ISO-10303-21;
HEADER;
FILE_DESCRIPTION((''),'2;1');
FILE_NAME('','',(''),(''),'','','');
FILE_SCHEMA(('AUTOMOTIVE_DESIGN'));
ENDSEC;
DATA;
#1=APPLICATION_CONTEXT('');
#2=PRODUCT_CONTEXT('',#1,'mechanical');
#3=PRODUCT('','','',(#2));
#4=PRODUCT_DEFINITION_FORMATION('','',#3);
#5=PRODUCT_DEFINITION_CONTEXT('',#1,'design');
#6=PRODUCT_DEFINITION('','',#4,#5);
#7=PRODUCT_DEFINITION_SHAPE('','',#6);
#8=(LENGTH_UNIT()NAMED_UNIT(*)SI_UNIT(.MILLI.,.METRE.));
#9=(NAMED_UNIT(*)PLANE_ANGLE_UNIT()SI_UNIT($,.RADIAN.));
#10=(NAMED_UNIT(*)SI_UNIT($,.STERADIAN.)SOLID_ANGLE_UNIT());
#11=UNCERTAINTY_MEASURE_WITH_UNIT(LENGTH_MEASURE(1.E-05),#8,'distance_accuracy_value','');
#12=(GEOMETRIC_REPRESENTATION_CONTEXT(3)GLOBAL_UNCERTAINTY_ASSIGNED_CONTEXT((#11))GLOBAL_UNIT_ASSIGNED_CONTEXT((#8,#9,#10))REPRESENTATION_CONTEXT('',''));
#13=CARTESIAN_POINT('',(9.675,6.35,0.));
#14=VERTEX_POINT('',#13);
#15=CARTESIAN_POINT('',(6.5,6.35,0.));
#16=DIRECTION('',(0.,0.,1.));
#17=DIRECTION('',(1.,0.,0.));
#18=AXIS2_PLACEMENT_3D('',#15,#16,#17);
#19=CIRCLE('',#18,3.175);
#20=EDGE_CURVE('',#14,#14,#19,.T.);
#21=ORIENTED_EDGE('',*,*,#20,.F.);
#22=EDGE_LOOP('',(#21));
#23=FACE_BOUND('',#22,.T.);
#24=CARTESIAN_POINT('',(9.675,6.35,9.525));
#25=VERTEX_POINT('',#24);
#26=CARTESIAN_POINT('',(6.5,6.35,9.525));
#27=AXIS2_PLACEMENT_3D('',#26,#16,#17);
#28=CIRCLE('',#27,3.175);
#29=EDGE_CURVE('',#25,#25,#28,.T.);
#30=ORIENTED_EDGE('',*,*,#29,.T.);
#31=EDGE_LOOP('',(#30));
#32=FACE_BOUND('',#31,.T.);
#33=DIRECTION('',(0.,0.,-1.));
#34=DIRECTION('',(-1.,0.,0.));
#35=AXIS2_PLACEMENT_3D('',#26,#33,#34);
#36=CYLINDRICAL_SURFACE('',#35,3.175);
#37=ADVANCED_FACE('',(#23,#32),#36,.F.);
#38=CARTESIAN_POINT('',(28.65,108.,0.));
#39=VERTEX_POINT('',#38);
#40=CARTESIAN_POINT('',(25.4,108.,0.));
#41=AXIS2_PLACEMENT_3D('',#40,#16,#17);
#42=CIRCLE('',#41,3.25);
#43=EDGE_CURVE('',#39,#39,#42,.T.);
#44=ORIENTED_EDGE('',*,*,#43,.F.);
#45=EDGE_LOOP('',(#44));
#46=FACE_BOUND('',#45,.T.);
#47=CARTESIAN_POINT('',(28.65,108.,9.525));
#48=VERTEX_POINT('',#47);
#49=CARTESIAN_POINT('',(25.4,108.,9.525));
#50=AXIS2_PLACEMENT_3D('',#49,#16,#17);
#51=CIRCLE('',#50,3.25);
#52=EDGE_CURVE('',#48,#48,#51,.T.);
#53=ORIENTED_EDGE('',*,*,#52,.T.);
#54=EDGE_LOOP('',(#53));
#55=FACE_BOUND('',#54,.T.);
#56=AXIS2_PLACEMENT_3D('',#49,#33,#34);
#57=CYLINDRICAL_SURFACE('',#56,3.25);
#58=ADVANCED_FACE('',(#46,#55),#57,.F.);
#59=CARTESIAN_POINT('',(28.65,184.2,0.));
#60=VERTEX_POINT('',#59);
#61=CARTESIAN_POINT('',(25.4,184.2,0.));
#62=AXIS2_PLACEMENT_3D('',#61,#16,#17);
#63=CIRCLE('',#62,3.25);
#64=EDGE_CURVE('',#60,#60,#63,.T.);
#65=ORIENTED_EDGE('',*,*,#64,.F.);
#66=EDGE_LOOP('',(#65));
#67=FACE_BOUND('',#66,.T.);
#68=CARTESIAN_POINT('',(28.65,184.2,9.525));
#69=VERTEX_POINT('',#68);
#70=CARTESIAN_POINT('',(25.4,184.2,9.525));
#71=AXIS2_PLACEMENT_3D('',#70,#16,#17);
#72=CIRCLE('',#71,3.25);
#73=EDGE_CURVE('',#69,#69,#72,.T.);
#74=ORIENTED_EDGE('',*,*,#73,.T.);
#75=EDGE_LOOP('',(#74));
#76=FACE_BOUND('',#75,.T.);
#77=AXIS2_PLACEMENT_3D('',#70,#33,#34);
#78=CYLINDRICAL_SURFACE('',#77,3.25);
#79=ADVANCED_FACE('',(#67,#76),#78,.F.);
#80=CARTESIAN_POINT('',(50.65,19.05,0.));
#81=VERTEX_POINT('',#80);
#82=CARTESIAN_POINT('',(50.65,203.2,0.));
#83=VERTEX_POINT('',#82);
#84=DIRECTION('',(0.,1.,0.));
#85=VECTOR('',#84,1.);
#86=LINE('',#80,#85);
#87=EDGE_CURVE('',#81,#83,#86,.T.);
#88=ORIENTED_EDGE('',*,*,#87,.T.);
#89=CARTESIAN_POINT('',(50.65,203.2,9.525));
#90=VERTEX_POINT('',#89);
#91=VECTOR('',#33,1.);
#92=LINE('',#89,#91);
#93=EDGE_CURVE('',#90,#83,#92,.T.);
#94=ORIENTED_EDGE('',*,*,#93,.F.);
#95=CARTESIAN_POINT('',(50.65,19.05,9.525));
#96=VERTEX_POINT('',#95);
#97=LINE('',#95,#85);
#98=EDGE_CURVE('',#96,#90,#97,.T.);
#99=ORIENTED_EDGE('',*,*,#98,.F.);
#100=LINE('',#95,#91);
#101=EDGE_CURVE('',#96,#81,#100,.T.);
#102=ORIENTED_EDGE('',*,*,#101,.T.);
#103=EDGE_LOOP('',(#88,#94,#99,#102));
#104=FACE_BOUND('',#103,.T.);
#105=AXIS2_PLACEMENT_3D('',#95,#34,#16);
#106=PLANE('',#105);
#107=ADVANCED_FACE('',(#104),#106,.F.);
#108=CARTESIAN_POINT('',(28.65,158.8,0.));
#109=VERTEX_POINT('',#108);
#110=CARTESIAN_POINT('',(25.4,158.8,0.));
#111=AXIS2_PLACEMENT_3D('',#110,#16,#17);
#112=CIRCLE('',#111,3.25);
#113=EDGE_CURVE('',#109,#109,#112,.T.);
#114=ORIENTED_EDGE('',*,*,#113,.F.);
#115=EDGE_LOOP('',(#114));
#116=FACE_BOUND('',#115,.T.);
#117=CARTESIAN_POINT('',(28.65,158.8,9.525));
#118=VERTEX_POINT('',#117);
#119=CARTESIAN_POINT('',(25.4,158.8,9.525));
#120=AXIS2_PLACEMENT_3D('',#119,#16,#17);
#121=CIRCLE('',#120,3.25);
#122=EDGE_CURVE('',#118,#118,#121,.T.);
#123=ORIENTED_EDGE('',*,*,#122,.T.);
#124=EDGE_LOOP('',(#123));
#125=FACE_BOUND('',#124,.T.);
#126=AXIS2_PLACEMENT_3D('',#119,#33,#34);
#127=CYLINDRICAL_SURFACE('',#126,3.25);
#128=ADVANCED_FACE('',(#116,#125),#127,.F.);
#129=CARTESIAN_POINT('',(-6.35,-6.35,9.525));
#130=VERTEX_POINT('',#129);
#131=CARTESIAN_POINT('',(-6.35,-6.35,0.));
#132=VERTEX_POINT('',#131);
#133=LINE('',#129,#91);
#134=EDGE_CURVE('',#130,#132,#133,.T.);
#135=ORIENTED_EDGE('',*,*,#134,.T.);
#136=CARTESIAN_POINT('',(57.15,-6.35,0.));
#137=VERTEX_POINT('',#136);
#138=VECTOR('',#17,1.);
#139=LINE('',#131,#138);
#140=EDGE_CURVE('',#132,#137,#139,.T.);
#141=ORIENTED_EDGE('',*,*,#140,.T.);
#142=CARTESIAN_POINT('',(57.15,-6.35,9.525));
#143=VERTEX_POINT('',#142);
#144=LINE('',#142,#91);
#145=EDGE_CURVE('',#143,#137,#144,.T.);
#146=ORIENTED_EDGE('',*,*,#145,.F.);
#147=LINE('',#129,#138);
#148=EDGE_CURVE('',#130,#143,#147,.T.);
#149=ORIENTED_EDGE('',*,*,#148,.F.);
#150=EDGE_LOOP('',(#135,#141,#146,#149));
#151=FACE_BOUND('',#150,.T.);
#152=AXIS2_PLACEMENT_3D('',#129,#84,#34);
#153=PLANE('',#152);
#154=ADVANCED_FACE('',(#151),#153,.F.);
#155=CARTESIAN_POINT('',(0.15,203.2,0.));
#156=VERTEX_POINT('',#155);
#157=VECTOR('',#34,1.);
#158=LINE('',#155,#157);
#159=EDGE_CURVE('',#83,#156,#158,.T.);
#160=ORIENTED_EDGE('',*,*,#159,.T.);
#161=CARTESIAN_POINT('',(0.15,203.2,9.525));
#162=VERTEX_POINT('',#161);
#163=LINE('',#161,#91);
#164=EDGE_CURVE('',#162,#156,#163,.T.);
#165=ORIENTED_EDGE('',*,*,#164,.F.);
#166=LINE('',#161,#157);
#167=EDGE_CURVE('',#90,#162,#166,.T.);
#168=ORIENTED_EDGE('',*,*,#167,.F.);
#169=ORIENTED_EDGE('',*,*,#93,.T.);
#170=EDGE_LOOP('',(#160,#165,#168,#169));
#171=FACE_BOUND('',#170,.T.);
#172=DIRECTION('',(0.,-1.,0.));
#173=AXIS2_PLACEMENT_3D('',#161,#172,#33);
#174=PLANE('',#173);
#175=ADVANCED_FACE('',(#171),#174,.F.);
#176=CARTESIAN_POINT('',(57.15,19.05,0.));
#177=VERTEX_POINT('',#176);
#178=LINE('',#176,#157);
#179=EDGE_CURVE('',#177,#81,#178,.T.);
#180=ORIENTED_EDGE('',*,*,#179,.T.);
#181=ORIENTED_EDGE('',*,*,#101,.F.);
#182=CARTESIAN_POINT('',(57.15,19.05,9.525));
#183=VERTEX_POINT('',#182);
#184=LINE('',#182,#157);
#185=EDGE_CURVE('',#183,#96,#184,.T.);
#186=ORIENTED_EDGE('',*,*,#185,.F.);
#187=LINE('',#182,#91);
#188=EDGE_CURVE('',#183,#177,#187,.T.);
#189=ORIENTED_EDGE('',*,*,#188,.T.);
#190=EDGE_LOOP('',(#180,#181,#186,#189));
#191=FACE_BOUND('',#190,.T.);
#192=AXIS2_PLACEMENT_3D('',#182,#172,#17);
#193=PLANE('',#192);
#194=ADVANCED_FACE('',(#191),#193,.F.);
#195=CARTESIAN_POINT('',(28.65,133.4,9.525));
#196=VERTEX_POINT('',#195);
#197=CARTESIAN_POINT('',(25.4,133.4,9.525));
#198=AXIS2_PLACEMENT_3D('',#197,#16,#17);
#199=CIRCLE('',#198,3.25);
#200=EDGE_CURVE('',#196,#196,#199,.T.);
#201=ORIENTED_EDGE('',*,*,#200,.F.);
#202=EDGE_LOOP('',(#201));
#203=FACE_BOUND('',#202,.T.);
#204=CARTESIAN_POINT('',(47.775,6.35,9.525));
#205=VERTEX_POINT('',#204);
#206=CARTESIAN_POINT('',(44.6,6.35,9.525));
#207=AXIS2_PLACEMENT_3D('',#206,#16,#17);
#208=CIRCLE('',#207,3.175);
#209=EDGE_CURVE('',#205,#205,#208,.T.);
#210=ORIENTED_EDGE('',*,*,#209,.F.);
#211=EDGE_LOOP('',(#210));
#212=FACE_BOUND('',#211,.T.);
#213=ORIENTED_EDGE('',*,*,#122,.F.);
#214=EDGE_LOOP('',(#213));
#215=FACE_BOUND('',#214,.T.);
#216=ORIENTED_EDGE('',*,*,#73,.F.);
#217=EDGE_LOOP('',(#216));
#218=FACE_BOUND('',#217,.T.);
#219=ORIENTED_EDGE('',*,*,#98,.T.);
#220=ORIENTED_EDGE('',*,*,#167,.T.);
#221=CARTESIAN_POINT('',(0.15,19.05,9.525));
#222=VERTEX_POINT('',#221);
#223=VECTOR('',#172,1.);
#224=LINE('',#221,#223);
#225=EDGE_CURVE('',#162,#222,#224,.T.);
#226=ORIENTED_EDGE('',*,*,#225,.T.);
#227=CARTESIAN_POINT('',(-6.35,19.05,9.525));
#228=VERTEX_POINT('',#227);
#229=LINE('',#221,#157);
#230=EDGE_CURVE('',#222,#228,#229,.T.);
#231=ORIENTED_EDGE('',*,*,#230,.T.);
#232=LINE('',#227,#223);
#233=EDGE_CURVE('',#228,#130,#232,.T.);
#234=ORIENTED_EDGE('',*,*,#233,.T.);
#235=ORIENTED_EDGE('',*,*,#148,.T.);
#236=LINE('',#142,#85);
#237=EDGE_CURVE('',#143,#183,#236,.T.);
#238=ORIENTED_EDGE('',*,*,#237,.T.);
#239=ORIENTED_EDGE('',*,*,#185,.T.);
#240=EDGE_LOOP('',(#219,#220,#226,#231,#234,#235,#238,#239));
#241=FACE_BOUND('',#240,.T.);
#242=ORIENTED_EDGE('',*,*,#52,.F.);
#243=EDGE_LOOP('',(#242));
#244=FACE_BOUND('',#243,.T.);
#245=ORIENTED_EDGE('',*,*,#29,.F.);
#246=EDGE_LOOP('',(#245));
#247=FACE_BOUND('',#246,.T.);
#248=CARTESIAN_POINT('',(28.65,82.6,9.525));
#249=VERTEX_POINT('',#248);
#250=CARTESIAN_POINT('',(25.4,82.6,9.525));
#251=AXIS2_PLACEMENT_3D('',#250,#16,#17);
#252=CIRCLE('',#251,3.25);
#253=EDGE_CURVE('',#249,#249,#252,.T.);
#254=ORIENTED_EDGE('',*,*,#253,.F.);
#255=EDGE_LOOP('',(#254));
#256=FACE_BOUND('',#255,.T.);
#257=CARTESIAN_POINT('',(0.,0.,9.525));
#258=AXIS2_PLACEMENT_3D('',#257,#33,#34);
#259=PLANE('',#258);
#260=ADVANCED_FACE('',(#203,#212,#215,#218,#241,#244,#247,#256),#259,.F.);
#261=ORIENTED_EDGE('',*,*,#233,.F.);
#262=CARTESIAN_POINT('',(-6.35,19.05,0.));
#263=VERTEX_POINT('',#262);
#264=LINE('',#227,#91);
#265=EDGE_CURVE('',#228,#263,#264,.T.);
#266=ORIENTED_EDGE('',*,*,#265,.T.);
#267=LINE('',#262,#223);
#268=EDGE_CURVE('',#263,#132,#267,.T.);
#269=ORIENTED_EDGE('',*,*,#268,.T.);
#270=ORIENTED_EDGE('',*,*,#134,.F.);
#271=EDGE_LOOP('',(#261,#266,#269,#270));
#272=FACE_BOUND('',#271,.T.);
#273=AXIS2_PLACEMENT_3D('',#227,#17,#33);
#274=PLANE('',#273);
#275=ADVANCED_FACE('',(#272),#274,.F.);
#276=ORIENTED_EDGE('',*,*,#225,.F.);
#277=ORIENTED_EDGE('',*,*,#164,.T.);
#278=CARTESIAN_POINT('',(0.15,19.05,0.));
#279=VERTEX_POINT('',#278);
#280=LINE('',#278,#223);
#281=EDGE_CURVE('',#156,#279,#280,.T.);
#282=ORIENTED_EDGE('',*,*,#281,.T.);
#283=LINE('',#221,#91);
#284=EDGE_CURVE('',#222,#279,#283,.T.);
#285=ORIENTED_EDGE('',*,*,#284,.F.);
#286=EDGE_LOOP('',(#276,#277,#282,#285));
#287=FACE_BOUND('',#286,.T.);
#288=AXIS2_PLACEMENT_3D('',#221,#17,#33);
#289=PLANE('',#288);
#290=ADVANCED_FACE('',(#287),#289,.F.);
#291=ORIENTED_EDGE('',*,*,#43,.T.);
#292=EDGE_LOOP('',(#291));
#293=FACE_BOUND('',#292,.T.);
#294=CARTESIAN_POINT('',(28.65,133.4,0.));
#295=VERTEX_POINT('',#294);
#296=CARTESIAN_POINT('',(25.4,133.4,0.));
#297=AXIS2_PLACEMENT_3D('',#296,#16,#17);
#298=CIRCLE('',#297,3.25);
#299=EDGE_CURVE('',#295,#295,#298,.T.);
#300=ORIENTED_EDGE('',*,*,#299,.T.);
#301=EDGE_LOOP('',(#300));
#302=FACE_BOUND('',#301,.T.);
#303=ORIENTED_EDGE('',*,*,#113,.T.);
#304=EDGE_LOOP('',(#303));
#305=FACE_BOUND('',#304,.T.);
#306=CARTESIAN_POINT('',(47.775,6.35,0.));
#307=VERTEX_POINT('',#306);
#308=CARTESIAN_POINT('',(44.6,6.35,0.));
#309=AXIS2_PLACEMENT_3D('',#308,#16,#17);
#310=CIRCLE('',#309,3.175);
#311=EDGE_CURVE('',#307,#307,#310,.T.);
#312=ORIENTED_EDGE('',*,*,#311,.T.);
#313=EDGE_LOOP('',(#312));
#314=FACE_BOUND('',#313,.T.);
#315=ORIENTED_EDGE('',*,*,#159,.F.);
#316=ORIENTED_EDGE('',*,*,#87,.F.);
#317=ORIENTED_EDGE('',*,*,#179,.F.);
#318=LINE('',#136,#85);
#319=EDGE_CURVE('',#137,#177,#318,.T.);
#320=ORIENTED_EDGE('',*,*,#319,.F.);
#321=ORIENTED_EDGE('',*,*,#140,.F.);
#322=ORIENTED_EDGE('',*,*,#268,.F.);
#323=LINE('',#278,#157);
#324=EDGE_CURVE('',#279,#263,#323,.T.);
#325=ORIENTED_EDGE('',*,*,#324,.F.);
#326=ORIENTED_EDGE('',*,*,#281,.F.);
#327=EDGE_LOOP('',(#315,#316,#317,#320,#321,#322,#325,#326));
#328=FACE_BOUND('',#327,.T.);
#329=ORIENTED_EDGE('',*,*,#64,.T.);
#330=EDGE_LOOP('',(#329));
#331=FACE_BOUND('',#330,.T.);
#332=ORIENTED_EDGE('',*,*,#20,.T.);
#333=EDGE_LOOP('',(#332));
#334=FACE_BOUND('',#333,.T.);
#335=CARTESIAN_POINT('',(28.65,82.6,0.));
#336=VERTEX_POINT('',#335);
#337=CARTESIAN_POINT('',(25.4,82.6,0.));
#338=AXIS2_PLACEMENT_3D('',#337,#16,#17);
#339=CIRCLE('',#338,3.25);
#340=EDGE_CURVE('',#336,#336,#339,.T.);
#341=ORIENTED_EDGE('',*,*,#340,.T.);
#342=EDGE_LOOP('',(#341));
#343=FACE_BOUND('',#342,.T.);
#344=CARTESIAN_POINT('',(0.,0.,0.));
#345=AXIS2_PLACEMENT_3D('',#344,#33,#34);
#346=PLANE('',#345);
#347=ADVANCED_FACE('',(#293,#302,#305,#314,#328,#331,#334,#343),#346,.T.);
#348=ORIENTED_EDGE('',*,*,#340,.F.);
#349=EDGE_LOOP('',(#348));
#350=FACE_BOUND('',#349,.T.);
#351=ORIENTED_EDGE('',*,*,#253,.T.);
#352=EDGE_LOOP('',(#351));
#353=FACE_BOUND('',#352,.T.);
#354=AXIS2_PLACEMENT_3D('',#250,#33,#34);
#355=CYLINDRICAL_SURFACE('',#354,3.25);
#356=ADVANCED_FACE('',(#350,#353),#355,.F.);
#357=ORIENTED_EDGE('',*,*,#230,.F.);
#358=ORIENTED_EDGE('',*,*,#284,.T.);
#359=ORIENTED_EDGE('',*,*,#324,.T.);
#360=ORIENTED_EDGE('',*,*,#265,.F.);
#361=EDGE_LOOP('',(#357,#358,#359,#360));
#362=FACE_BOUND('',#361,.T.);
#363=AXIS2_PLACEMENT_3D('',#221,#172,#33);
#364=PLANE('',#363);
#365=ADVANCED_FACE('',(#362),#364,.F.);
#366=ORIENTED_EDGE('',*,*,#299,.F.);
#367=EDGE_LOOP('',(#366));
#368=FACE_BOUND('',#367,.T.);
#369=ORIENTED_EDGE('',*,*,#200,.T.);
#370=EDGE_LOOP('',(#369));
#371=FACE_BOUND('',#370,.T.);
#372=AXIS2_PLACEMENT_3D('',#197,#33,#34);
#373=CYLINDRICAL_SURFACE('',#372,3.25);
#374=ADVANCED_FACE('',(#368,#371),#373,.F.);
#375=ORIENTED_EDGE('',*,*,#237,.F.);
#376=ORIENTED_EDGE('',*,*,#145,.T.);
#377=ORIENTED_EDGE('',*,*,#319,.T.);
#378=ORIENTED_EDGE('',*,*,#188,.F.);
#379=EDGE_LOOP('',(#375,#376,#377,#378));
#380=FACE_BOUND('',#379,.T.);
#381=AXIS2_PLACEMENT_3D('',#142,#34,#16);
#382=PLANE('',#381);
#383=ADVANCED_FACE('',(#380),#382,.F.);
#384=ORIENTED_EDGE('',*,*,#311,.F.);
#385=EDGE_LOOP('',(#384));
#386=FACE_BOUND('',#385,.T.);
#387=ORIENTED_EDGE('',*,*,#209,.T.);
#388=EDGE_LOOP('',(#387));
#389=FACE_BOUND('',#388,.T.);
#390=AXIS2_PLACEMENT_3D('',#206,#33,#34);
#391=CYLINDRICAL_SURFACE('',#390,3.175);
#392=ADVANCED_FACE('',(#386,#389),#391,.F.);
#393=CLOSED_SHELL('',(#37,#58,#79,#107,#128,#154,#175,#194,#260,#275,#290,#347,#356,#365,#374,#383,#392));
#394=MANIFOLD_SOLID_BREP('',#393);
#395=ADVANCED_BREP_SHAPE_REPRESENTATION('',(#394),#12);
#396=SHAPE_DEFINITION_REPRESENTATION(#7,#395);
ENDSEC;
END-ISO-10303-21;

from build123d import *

# Parameters (mm, degrees)
SKETCH1_R           = 3.175
SKETCH1_R_2         = 3.25
BOSS_EXTRUDE1_DEPTH = 9.525


with BuildPart() as part:
    # Sketch1 → Boss-Extrude1 (new body)
    with BuildSketch(Plane.XY):
        Polygon((0.15, 19.05), (0.15, 203.2), (50.65, 203.2), (50.65, 19.05), (57.15, 19.05), (57.15, -6.35), (-6.35, -6.35), (-6.35, 19.05), align=None)
        with Locations((6.5, 6.35)):
            Circle(SKETCH1_R, mode=Mode.SUBTRACT)
        with Locations((44.6, 6.35)):
            Circle(SKETCH1_R, mode=Mode.SUBTRACT)
        with Locations((25.4, 184.2)):
            Circle(SKETCH1_R_2, mode=Mode.SUBTRACT)
        with Locations((25.4, 158.8)):
            Circle(SKETCH1_R_2, mode=Mode.SUBTRACT)
        with Locations((25.4, 133.4)):
            Circle(SKETCH1_R_2, mode=Mode.SUBTRACT)
        with Locations((25.4, 108)):
            Circle(SKETCH1_R_2, mode=Mode.SUBTRACT)
        with Locations((25.4, 82.6)):
            Circle(SKETCH1_R_2, mode=Mode.SUBTRACT)
    extrude(amount=BOSS_EXTRUDE1_DEPTH)


solid = part.part
